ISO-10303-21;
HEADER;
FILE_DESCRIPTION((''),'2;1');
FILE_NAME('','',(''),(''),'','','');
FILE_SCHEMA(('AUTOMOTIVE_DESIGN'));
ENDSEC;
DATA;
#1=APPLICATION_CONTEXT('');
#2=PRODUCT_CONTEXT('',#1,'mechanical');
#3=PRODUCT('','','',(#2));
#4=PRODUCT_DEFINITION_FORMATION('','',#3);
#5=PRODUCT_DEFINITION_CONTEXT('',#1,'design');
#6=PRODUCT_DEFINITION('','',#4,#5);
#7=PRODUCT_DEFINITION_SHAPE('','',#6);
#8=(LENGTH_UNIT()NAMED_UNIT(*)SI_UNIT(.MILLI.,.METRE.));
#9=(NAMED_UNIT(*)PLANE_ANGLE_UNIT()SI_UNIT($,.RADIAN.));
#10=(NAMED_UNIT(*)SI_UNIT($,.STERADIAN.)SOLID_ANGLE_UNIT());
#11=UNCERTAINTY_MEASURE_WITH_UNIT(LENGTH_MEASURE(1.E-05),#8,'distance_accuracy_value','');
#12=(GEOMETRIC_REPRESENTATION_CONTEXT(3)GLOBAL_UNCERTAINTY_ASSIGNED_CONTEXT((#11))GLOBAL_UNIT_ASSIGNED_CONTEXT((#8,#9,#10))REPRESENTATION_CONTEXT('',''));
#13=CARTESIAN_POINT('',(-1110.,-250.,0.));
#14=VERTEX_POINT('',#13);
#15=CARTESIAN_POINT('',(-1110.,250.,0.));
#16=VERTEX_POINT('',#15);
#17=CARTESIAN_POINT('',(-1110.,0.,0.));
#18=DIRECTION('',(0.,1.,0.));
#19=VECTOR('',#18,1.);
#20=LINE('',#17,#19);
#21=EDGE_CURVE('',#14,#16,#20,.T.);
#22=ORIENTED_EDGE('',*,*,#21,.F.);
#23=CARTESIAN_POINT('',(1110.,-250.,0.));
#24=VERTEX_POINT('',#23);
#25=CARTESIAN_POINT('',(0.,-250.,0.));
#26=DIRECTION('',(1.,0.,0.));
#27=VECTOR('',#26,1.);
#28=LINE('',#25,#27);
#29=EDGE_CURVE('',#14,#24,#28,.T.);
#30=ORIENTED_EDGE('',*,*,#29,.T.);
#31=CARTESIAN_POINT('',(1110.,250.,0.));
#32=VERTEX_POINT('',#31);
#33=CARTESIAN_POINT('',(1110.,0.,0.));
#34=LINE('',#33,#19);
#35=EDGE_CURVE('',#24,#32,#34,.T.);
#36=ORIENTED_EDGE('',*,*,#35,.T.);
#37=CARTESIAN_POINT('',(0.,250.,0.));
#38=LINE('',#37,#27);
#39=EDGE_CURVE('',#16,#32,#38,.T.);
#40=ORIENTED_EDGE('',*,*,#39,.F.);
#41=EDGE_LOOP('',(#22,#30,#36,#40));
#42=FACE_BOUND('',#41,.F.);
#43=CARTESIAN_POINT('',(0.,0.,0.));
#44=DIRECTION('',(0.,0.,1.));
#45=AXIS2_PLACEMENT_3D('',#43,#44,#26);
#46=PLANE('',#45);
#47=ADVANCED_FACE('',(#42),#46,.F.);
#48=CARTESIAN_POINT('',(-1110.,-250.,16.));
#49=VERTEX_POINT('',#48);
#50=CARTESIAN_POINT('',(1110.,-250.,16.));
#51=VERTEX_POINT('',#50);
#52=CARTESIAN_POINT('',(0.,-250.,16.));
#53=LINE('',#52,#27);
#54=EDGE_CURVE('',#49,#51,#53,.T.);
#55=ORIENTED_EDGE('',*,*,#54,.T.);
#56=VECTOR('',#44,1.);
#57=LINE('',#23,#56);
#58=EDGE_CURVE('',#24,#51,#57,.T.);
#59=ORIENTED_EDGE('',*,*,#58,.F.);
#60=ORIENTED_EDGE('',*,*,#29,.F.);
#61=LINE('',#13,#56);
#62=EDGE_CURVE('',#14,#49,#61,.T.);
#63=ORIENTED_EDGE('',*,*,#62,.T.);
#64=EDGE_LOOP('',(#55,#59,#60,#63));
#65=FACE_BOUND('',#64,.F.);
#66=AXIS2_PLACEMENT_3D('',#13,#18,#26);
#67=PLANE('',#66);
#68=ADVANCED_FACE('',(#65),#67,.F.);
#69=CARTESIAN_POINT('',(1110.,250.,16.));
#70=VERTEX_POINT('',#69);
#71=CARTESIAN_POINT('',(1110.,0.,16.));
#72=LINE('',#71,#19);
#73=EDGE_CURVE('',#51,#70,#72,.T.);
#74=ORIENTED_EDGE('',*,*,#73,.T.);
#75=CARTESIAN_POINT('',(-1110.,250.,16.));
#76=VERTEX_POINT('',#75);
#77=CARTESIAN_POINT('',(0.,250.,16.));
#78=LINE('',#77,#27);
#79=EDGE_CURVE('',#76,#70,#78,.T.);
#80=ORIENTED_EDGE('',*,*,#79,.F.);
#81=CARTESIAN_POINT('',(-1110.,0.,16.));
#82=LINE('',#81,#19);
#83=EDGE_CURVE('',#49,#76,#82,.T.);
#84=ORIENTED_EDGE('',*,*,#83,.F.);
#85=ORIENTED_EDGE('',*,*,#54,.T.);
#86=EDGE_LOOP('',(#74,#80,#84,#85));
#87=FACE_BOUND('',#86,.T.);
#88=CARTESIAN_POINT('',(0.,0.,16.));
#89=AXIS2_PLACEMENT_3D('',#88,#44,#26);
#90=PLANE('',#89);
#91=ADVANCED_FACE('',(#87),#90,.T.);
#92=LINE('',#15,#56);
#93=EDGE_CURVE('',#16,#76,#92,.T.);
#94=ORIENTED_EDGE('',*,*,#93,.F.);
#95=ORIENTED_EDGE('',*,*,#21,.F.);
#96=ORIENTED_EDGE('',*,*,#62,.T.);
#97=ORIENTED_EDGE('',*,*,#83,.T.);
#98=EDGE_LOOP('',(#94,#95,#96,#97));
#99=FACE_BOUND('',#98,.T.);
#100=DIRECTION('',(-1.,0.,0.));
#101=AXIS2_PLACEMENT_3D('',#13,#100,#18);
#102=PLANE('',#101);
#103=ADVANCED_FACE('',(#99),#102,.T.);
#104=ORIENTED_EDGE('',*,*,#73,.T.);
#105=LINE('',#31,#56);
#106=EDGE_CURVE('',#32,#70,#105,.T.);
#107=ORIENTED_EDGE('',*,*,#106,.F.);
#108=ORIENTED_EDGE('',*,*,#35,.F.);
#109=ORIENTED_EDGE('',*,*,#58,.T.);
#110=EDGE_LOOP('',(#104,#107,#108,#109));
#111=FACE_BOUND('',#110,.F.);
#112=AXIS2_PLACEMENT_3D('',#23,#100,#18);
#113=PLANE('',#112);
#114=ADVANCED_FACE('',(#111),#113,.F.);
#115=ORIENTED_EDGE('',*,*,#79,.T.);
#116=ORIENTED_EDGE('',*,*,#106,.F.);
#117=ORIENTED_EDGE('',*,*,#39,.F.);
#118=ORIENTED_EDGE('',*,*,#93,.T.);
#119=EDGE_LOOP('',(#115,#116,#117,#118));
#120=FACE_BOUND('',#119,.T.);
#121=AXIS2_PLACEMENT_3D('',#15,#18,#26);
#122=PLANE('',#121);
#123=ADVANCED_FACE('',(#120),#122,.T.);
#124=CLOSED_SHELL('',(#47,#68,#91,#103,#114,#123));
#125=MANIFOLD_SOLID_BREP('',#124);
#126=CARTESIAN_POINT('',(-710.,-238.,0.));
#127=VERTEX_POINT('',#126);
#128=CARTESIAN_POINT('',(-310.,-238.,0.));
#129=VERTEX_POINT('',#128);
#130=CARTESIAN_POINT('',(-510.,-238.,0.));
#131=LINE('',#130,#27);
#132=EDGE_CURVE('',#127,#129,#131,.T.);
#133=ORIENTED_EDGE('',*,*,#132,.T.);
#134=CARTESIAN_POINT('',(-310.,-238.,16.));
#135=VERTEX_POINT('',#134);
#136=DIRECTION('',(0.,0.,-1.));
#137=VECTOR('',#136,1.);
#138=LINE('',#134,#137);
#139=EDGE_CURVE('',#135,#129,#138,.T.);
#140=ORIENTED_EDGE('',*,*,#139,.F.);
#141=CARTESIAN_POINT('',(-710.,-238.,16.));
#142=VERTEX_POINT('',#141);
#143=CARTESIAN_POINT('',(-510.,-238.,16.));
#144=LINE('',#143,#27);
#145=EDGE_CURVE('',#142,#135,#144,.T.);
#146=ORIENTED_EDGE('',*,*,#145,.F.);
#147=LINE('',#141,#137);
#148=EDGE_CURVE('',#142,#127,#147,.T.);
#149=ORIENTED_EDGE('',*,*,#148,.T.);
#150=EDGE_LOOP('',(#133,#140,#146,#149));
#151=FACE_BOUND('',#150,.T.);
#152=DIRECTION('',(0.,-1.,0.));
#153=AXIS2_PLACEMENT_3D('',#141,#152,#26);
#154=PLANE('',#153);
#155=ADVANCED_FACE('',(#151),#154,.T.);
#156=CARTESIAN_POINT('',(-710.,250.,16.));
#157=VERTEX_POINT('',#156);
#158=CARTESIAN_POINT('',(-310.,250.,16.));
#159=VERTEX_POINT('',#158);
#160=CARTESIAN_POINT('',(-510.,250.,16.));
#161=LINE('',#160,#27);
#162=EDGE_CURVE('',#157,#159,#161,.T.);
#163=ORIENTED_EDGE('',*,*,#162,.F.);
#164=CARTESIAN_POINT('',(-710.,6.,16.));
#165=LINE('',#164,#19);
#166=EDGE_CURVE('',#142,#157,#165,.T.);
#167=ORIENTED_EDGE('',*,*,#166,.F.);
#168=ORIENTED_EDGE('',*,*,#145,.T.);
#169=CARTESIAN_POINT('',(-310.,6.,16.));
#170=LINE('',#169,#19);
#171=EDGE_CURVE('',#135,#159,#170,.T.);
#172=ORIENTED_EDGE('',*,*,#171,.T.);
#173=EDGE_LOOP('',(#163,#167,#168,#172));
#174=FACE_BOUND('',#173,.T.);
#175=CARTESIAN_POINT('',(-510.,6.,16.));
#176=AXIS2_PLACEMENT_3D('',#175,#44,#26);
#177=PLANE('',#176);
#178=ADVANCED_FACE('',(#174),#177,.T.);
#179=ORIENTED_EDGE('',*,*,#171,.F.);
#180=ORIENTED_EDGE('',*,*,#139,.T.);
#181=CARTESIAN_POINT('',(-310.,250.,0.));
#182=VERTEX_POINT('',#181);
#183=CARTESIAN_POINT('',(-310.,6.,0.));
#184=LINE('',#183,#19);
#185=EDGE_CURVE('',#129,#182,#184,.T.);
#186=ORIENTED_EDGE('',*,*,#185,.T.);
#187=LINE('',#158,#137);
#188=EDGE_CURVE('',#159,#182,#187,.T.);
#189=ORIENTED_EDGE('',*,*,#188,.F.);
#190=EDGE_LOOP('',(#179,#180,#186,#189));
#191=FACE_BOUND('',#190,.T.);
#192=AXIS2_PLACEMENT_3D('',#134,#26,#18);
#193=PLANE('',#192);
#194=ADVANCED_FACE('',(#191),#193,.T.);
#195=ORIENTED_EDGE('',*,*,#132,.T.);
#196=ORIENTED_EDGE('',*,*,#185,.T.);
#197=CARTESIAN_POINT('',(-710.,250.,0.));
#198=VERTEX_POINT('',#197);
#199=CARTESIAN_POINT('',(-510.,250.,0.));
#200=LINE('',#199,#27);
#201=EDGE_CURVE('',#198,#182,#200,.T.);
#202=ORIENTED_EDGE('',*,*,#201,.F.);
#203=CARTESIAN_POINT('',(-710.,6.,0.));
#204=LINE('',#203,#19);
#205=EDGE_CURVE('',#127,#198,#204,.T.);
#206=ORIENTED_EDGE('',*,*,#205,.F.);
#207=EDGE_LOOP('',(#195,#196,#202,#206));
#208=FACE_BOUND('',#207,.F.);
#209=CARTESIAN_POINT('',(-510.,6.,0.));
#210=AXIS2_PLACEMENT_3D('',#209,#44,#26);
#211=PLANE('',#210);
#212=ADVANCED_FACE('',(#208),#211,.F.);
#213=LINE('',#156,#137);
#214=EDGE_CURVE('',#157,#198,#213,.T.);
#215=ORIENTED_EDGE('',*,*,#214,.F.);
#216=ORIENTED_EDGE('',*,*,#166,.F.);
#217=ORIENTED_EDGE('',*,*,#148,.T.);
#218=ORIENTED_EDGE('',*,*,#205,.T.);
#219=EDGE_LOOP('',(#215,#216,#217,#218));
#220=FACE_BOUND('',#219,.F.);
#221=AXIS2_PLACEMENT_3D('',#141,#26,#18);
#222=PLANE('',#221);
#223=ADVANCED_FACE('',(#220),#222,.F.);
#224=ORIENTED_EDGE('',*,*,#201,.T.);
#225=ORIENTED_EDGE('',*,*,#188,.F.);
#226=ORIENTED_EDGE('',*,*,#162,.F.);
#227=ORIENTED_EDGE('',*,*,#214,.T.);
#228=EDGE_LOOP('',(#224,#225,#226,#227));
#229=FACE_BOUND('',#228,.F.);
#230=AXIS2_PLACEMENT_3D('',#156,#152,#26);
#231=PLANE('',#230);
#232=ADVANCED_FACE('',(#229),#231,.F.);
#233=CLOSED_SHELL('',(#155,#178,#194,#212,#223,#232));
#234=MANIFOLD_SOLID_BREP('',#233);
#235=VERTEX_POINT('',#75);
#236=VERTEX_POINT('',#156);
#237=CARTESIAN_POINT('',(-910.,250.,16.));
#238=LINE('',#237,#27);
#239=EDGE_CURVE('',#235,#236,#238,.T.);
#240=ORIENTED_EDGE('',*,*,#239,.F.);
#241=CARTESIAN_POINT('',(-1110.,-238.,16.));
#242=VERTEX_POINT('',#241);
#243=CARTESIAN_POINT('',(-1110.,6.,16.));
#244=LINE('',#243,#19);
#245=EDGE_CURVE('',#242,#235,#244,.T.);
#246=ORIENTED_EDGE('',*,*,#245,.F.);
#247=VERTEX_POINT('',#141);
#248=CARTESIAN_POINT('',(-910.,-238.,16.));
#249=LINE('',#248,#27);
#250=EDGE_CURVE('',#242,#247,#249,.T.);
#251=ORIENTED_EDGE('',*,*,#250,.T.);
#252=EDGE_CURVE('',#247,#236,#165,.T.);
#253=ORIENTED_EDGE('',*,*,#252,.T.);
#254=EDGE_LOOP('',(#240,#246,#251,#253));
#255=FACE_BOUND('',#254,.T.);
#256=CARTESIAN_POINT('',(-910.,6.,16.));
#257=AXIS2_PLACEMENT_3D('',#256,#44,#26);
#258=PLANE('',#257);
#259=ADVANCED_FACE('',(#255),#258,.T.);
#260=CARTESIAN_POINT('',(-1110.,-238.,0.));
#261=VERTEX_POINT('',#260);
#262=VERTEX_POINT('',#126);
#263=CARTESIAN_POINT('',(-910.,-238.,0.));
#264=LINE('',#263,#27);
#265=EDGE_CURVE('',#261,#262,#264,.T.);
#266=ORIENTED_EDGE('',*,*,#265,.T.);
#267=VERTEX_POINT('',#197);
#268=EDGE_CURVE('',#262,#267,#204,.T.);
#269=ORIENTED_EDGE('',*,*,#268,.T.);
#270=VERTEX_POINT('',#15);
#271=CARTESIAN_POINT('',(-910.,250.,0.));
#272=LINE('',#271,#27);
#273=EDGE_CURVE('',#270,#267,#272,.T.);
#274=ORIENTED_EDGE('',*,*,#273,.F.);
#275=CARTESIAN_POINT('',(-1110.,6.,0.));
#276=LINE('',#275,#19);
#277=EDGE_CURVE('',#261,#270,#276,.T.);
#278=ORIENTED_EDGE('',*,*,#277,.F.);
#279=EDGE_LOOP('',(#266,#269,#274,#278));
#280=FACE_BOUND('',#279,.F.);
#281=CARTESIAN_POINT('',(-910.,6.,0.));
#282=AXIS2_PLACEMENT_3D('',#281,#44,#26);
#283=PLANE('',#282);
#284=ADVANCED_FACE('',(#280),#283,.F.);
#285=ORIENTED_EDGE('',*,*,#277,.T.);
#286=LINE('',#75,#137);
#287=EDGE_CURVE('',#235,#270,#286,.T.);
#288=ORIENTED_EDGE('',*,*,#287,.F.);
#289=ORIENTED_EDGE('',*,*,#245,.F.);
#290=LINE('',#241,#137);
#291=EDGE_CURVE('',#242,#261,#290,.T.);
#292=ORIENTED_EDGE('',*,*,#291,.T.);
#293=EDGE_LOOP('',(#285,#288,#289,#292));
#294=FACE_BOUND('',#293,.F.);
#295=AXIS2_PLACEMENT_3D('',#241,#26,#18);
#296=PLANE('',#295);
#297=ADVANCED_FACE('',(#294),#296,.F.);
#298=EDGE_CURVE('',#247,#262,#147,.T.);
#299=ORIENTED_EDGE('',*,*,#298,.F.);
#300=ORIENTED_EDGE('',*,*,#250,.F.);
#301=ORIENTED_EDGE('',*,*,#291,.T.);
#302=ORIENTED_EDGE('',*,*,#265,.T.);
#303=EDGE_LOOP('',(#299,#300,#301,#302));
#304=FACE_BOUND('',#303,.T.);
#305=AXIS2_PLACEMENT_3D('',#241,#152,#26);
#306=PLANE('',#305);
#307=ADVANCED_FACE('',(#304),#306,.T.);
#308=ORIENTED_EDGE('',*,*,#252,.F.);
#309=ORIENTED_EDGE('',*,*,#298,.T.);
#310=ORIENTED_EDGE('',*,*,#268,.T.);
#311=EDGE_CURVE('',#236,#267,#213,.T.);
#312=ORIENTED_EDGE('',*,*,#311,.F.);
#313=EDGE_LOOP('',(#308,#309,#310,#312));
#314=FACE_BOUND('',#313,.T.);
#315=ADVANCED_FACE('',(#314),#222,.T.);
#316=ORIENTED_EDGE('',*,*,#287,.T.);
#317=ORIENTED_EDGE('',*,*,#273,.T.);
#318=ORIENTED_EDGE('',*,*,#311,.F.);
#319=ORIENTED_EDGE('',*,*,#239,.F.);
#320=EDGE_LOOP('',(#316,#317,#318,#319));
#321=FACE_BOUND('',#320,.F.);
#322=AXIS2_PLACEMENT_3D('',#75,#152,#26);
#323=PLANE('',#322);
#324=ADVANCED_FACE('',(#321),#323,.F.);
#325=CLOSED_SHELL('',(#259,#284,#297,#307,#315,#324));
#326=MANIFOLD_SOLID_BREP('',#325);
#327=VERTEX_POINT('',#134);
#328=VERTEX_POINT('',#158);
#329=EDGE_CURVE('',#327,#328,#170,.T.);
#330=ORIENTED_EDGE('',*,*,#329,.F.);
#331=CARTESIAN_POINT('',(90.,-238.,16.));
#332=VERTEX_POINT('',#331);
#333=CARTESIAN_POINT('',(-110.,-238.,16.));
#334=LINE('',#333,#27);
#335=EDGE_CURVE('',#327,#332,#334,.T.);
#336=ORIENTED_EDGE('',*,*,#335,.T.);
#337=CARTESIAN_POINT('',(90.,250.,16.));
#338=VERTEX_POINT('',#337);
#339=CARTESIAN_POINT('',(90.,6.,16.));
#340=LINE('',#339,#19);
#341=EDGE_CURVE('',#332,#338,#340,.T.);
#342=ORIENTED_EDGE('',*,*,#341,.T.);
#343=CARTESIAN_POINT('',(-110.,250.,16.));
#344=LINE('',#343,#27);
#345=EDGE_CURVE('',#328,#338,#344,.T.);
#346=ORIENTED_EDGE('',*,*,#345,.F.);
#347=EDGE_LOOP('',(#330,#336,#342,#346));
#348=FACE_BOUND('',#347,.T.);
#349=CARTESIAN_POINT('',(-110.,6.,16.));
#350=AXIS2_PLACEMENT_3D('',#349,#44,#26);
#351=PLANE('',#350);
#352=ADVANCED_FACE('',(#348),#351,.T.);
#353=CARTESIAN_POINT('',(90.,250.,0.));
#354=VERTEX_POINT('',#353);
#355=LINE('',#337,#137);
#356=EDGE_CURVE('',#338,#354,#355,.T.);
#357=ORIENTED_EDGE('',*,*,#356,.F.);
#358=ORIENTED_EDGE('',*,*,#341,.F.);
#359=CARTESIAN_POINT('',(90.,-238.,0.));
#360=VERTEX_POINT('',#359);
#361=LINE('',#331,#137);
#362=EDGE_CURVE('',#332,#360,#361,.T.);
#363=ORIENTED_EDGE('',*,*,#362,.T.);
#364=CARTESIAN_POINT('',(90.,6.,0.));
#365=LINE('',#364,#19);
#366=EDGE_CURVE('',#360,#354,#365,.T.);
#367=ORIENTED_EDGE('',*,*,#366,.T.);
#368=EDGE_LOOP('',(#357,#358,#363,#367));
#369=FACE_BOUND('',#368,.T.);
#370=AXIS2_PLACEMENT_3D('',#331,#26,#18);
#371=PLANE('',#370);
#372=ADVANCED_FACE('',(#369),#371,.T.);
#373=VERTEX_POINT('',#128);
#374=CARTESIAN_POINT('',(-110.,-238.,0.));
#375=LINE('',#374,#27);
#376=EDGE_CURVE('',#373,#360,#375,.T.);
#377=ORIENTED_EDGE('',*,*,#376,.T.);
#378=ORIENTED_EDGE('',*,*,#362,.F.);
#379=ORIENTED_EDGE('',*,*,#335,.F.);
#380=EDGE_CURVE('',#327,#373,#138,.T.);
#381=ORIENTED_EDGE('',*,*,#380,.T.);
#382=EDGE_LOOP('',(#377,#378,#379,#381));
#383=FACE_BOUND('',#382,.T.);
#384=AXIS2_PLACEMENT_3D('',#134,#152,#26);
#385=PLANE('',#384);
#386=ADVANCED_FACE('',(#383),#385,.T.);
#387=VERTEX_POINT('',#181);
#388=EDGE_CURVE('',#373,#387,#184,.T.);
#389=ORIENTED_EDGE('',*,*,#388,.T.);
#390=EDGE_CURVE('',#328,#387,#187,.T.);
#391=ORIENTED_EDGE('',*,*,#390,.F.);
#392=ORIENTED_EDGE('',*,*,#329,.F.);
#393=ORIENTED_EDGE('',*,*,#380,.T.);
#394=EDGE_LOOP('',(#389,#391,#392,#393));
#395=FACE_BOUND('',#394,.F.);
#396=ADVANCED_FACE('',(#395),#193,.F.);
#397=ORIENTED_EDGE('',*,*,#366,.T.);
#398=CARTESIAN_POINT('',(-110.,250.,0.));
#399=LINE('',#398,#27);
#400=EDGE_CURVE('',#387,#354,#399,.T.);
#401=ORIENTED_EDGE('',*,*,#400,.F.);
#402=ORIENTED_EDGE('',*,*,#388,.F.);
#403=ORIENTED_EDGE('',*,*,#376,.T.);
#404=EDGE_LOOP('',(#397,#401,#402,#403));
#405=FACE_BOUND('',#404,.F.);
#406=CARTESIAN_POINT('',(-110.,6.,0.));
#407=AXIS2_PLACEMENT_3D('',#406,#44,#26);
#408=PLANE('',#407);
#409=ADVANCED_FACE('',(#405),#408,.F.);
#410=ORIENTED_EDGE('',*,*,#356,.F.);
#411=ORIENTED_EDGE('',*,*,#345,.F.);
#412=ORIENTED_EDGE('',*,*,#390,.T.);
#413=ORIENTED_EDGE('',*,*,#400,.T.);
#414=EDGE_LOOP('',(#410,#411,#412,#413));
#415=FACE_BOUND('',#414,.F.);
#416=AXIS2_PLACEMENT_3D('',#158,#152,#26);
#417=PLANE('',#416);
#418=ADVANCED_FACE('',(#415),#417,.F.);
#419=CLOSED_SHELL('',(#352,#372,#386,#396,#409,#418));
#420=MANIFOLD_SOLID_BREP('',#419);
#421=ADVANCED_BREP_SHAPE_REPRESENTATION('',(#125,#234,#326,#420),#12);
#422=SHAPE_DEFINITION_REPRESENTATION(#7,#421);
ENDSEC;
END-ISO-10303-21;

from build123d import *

# Parameters (mm, degrees)
F0_W     = 2220
F0_H     = 500
F1_DEPTH = 16
F2_W     = 400
F2_H     = 488
F3_DEPTH = 16
F4_DEPTH = 16
F5_DEPTH = 16


with BuildPart() as f1:
    # F0 (on Top) → F1 (new body)
    with BuildSketch(Plane.XY):
        Rectangle(F0_W, F0_H)
    extrude(amount=F1_DEPTH)


with BuildPart() as f3:
    # F2 (on face) → F3 (new body)
    with BuildSketch(Plane.XY.offset(16)):
        with Locations((-910, 6)):
            Rectangle(F2_W, F2_H)
    extrude(amount=-F3_DEPTH)


with BuildPart() as f4:
    # F2 (on face) → F4 (new body)
    with BuildSketch(Plane.XY.offset(16)):
        with Locations((-510, 6)):
            Rectangle(F2_W, F2_H)
    extrude(amount=-F4_DEPTH)


with BuildPart() as f5:
    # F2 (on face) → F5 (new body)
    with BuildSketch(Plane.XY.offset(16)):
        with Locations((-110, 6)):
            Rectangle(F2_W, F2_H)
    extrude(amount=-F5_DEPTH)


solid = Compound([f1.part, f3.part, f4.part, f5.part])
